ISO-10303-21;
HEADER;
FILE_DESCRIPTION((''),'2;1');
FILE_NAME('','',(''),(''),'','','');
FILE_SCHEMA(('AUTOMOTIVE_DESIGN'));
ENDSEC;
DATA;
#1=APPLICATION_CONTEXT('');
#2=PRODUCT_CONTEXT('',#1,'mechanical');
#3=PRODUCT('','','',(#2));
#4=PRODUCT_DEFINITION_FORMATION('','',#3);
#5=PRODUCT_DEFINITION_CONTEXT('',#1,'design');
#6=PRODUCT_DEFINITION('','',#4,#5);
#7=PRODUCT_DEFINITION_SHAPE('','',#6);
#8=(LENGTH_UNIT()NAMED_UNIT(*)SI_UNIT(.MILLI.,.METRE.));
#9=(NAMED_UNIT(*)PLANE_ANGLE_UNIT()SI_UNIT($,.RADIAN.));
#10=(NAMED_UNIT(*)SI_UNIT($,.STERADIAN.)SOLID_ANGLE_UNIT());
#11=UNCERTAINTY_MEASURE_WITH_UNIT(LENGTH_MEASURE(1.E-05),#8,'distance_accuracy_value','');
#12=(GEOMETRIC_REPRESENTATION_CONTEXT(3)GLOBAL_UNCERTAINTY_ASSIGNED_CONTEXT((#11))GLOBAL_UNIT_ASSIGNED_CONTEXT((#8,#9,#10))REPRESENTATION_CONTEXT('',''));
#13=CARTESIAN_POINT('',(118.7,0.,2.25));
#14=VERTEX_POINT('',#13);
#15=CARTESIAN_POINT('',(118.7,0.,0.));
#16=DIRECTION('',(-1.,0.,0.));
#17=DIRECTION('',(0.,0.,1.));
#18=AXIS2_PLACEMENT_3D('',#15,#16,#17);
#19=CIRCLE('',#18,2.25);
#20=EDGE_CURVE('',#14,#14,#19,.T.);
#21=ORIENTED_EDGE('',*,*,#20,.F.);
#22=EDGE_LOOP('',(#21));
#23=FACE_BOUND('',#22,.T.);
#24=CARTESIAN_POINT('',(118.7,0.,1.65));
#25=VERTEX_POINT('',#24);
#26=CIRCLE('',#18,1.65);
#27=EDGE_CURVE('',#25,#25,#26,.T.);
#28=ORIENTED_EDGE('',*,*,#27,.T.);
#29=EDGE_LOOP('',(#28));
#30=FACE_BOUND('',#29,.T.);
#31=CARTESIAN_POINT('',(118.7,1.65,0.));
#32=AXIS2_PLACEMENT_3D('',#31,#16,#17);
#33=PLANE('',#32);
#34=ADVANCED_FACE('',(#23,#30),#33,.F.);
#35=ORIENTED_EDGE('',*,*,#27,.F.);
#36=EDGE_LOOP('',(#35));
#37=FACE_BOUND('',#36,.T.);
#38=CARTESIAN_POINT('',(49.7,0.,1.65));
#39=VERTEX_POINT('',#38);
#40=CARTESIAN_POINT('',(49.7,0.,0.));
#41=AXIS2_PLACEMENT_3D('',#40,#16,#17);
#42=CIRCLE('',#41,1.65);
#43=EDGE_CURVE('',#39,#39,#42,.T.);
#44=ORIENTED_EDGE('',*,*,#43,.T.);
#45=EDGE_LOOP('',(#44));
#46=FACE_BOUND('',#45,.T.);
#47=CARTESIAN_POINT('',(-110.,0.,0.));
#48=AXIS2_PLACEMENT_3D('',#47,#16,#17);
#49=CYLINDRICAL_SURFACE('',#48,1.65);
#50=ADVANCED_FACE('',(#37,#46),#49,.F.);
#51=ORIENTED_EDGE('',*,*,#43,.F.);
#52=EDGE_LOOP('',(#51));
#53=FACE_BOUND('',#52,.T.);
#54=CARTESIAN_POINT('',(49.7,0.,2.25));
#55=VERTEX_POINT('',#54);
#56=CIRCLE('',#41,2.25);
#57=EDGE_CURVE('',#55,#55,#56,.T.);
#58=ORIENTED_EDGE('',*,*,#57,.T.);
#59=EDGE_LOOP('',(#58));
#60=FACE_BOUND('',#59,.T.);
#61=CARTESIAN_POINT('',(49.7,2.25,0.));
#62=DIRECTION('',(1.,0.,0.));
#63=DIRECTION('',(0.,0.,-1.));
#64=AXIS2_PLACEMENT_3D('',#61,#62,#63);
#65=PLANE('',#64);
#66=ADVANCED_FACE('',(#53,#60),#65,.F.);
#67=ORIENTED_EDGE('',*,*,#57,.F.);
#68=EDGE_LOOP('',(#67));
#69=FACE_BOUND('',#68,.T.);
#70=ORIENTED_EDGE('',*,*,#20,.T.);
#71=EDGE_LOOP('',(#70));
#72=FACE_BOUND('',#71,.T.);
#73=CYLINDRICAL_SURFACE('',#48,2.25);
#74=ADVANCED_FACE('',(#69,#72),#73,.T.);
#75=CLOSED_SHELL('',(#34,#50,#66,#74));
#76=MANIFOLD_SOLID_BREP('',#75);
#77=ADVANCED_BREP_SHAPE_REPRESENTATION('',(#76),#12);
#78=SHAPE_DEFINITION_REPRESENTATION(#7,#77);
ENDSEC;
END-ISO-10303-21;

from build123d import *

# Parameters (mm, degrees)
AXIAL_PROFILE_MM_W = 69
AXIAL_PROFILE_MM_H = 0.6


with BuildPart() as part:
    # Axial profile (mm) → Full revolution (revolve)
    with BuildSketch(Plane.XY, mode=Mode.PRIVATE) as full_revolution_sk:
        with Locations((84.2, 1.95)):
            Rectangle(AXIAL_PROFILE_MM_W, AXIAL_PROFILE_MM_H)
    revolve(full_revolution_sk.sketch.rotate(Axis((-110, 0, 0), (1, 0, 0)), 90), axis=Axis((-110, 0, 0), (1, 0, 0)))


solid = part.part
